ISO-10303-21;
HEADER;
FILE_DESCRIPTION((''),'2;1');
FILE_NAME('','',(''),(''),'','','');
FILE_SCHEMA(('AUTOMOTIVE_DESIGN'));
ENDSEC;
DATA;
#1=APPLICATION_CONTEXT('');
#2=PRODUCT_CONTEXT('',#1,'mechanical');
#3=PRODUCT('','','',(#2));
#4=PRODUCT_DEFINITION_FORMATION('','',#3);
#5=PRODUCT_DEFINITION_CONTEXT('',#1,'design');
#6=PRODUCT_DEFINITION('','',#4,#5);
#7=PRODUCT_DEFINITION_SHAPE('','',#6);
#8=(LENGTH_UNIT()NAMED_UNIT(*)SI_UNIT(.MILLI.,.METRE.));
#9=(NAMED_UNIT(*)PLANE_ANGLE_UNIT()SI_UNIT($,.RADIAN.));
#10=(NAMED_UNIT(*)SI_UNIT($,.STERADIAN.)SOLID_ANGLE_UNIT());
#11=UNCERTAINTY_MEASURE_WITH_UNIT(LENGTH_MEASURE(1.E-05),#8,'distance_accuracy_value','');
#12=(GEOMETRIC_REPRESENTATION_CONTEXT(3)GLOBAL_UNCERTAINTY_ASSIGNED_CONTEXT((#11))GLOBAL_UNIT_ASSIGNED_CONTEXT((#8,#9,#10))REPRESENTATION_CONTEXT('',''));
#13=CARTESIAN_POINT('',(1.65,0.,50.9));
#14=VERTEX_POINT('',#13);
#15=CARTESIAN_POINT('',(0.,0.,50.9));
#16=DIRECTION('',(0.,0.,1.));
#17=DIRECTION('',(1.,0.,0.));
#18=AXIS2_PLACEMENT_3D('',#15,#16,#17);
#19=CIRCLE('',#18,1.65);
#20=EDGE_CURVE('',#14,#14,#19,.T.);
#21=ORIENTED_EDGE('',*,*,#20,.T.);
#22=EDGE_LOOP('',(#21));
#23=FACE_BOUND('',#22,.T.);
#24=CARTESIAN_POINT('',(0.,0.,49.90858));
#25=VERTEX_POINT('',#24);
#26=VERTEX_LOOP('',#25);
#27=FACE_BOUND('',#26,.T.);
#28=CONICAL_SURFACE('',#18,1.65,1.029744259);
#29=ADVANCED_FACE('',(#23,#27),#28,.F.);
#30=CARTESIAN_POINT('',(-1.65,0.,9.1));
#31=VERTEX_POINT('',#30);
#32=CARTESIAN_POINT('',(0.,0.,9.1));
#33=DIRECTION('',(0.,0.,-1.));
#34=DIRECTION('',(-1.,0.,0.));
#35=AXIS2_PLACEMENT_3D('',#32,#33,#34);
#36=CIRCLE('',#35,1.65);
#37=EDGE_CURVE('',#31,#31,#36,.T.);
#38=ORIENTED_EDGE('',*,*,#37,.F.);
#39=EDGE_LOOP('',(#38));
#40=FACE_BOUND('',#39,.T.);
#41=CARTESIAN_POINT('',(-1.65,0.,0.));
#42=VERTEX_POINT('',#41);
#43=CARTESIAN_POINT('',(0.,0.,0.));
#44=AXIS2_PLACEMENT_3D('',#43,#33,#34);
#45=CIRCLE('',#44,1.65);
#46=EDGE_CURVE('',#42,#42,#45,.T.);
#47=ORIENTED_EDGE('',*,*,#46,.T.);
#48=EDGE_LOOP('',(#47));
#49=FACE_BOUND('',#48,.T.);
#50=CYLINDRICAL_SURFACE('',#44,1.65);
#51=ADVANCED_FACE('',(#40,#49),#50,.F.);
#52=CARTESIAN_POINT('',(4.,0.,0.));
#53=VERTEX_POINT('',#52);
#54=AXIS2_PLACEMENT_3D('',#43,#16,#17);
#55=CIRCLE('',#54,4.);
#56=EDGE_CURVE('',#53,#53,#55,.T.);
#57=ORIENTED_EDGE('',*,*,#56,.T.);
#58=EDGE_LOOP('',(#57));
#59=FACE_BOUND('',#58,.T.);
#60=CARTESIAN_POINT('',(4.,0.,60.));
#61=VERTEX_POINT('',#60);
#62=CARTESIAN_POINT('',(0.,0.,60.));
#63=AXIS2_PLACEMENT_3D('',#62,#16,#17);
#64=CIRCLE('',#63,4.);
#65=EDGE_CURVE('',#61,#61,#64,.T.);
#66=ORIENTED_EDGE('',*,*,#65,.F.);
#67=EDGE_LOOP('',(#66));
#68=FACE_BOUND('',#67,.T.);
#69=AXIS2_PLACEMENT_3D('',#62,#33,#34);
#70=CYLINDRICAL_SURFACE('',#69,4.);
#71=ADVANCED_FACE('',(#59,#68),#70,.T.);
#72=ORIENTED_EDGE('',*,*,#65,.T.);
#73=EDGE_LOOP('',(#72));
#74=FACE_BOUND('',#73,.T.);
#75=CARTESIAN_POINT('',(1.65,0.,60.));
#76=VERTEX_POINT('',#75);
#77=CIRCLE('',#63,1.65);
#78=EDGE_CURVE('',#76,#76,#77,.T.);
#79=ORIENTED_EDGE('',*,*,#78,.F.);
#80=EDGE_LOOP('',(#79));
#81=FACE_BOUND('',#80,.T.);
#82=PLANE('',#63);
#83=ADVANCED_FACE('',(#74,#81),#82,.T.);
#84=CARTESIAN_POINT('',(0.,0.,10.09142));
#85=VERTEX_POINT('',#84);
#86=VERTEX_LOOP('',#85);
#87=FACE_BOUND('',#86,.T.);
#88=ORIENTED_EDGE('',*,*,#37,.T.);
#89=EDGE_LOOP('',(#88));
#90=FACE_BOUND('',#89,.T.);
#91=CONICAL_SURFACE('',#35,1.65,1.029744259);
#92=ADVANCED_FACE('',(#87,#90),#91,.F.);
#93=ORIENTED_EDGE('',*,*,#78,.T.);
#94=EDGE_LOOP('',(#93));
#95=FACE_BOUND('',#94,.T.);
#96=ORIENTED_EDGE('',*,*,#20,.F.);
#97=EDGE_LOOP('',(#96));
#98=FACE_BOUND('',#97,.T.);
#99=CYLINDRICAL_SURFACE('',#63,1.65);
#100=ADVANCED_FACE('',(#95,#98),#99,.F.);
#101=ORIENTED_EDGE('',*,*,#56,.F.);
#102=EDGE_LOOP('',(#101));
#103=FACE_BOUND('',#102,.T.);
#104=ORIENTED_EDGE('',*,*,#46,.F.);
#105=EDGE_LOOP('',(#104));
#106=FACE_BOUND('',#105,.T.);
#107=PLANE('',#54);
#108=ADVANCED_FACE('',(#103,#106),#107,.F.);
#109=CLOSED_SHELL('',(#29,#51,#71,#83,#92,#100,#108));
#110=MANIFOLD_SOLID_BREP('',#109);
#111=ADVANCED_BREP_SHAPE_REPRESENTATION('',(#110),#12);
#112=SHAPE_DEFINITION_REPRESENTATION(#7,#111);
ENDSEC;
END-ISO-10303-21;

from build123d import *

# Parameters (mm, degrees)
SKETCH1_R                 = 4
BOSS_EXTRUDE1_DEPTH       = 60
M4X0_7_TAPPED_HOLE1_D     = 3.3
M4X0_7_TAPPED_HOLE1_DEPTH = 9.1
M4X0_7_TAPPED_HOLE1_TIP   = 0.991420021
M4X0_7_TAPPED_HOLE2_D     = 3.3
M4X0_7_TAPPED_HOLE2_DEPTH = 9.1
M4X0_7_TAPPED_HOLE2_TIP   = 0.991420021


with BuildPart() as part:
    # Sketch1 → Boss-Extrude1 (new body)
    with BuildSketch(Plane.XY):
        Circle(SKETCH1_R)
    extrude(amount=BOSS_EXTRUDE1_DEPTH)

    # M4x0.7 Tapped Hole1
    with Locations(Plane.XY.offset(60)):
        with Locations((0, 0)):
            Hole(M4X0_7_TAPPED_HOLE1_D / 2, depth=M4X0_7_TAPPED_HOLE1_DEPTH)
            with Locations((0, 0, -(M4X0_7_TAPPED_HOLE1_DEPTH + M4X0_7_TAPPED_HOLE1_TIP / 2))):  # 118° drill point
                Cone(0, M4X0_7_TAPPED_HOLE1_D / 2, M4X0_7_TAPPED_HOLE1_TIP, mode=Mode.SUBTRACT)

    # M4x0.7 Tapped Hole2
    with Locations(Plane(origin=(0, 0, 0), x_dir=(-1, 0, 0), z_dir=(0, 0, -1))):
        with Locations((0, 0)):
            Hole(M4X0_7_TAPPED_HOLE2_D / 2, depth=M4X0_7_TAPPED_HOLE2_DEPTH)
            with Locations((0, 0, -(M4X0_7_TAPPED_HOLE2_DEPTH + M4X0_7_TAPPED_HOLE2_TIP / 2))):  # 118° drill point
                Cone(0, M4X0_7_TAPPED_HOLE2_D / 2, M4X0_7_TAPPED_HOLE2_TIP, mode=Mode.SUBTRACT)


solid = part.part
